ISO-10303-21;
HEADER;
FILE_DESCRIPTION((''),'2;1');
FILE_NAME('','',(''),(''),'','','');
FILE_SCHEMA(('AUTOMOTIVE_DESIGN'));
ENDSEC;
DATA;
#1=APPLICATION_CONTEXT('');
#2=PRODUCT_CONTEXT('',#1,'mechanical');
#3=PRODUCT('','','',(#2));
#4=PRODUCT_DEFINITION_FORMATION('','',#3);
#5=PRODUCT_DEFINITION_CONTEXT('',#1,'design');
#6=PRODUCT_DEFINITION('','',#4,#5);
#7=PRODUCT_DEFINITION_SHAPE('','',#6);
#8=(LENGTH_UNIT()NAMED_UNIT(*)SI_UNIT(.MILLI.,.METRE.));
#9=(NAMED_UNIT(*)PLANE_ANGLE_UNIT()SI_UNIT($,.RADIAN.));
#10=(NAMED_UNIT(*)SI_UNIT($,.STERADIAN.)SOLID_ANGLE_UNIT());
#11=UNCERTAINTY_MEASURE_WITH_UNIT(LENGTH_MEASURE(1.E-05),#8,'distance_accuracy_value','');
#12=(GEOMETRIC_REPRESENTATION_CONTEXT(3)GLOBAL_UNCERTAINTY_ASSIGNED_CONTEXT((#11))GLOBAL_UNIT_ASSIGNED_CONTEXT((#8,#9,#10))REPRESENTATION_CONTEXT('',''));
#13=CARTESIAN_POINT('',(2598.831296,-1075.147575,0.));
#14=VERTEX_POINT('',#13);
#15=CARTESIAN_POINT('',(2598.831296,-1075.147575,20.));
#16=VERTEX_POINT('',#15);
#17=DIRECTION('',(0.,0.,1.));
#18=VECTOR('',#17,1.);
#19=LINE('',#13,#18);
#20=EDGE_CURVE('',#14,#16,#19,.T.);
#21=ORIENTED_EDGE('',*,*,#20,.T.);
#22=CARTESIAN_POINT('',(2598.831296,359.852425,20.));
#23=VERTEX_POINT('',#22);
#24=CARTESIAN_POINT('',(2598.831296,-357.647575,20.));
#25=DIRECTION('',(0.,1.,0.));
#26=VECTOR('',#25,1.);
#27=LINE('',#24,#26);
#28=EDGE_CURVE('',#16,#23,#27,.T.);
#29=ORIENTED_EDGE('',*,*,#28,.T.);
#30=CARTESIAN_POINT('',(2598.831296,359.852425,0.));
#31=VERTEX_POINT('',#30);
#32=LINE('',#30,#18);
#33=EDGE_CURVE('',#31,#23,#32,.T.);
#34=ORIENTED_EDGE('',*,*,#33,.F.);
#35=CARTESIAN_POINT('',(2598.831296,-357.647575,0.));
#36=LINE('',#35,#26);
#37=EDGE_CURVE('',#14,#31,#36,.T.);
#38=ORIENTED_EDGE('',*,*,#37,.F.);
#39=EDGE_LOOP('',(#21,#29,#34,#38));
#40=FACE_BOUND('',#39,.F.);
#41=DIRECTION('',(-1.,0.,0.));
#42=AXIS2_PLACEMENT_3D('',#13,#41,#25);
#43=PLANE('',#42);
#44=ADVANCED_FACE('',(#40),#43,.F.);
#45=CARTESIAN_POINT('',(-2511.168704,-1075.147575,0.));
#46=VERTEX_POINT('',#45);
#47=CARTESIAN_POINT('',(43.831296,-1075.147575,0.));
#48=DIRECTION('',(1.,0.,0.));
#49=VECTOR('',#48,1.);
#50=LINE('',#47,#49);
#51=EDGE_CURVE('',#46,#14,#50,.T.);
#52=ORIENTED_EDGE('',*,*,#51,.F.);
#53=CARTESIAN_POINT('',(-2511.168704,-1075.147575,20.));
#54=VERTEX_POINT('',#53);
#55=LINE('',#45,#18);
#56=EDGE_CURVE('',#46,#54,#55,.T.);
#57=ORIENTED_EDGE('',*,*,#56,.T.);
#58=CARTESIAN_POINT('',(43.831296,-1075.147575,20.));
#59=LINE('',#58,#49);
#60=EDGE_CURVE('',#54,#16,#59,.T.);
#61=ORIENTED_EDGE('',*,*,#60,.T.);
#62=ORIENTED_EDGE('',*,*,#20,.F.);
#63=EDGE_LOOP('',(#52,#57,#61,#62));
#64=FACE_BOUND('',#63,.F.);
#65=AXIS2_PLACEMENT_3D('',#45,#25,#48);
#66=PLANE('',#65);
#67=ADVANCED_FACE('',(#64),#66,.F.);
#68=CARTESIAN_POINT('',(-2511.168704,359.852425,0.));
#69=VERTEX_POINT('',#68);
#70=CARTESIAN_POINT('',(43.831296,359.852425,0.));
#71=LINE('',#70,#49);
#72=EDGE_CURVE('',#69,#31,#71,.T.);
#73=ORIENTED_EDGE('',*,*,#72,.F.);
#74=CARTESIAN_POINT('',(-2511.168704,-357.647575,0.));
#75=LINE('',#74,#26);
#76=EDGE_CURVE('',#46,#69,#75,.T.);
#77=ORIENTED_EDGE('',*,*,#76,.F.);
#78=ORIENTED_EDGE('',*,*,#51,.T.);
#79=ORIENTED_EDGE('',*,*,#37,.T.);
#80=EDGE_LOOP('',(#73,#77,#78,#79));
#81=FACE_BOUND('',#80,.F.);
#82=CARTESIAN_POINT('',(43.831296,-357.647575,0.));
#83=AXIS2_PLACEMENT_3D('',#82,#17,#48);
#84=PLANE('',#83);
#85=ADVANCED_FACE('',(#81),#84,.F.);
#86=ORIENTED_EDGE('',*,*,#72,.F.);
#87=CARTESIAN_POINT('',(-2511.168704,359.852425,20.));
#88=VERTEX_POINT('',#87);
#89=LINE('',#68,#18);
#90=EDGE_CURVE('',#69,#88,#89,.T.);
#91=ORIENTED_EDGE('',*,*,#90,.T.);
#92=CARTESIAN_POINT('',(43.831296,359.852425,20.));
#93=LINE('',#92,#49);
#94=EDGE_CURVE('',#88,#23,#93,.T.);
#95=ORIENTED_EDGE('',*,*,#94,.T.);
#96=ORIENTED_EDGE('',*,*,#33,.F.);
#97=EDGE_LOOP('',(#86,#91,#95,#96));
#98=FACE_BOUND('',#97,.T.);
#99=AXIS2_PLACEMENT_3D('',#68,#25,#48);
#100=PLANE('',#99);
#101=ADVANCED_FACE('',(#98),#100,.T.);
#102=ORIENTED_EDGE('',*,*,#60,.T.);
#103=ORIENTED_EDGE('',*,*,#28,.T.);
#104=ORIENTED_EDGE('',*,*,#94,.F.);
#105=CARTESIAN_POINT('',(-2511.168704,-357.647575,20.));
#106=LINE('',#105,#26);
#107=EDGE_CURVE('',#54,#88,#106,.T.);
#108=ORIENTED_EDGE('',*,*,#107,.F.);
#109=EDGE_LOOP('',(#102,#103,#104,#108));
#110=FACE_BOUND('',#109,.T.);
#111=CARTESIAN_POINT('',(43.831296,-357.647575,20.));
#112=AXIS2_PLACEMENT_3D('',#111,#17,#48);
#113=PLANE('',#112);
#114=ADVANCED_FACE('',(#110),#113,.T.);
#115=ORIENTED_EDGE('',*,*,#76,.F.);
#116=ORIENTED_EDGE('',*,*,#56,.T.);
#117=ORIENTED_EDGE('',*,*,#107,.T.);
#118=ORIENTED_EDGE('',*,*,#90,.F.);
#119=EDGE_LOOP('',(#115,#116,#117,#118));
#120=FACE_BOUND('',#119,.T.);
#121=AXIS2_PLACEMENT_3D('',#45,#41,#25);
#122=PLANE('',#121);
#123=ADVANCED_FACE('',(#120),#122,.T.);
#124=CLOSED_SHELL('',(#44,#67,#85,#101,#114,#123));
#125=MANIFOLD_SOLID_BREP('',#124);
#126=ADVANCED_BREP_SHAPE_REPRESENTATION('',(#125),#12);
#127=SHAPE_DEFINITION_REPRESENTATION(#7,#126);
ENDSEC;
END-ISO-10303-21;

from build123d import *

# Parameters (mm, degrees)
F1_W     = 5110
F1_H     = 1435
F2_DEPTH = 20


with BuildPart() as f2:
    # F1 (on face) → F2 (new body)
    with BuildSketch(Plane.XY):
        with Locations((43.831296, -357.647575)):
            Rectangle(F1_W, F1_H)
    extrude(amount=F2_DEPTH)


solid = f2.part
